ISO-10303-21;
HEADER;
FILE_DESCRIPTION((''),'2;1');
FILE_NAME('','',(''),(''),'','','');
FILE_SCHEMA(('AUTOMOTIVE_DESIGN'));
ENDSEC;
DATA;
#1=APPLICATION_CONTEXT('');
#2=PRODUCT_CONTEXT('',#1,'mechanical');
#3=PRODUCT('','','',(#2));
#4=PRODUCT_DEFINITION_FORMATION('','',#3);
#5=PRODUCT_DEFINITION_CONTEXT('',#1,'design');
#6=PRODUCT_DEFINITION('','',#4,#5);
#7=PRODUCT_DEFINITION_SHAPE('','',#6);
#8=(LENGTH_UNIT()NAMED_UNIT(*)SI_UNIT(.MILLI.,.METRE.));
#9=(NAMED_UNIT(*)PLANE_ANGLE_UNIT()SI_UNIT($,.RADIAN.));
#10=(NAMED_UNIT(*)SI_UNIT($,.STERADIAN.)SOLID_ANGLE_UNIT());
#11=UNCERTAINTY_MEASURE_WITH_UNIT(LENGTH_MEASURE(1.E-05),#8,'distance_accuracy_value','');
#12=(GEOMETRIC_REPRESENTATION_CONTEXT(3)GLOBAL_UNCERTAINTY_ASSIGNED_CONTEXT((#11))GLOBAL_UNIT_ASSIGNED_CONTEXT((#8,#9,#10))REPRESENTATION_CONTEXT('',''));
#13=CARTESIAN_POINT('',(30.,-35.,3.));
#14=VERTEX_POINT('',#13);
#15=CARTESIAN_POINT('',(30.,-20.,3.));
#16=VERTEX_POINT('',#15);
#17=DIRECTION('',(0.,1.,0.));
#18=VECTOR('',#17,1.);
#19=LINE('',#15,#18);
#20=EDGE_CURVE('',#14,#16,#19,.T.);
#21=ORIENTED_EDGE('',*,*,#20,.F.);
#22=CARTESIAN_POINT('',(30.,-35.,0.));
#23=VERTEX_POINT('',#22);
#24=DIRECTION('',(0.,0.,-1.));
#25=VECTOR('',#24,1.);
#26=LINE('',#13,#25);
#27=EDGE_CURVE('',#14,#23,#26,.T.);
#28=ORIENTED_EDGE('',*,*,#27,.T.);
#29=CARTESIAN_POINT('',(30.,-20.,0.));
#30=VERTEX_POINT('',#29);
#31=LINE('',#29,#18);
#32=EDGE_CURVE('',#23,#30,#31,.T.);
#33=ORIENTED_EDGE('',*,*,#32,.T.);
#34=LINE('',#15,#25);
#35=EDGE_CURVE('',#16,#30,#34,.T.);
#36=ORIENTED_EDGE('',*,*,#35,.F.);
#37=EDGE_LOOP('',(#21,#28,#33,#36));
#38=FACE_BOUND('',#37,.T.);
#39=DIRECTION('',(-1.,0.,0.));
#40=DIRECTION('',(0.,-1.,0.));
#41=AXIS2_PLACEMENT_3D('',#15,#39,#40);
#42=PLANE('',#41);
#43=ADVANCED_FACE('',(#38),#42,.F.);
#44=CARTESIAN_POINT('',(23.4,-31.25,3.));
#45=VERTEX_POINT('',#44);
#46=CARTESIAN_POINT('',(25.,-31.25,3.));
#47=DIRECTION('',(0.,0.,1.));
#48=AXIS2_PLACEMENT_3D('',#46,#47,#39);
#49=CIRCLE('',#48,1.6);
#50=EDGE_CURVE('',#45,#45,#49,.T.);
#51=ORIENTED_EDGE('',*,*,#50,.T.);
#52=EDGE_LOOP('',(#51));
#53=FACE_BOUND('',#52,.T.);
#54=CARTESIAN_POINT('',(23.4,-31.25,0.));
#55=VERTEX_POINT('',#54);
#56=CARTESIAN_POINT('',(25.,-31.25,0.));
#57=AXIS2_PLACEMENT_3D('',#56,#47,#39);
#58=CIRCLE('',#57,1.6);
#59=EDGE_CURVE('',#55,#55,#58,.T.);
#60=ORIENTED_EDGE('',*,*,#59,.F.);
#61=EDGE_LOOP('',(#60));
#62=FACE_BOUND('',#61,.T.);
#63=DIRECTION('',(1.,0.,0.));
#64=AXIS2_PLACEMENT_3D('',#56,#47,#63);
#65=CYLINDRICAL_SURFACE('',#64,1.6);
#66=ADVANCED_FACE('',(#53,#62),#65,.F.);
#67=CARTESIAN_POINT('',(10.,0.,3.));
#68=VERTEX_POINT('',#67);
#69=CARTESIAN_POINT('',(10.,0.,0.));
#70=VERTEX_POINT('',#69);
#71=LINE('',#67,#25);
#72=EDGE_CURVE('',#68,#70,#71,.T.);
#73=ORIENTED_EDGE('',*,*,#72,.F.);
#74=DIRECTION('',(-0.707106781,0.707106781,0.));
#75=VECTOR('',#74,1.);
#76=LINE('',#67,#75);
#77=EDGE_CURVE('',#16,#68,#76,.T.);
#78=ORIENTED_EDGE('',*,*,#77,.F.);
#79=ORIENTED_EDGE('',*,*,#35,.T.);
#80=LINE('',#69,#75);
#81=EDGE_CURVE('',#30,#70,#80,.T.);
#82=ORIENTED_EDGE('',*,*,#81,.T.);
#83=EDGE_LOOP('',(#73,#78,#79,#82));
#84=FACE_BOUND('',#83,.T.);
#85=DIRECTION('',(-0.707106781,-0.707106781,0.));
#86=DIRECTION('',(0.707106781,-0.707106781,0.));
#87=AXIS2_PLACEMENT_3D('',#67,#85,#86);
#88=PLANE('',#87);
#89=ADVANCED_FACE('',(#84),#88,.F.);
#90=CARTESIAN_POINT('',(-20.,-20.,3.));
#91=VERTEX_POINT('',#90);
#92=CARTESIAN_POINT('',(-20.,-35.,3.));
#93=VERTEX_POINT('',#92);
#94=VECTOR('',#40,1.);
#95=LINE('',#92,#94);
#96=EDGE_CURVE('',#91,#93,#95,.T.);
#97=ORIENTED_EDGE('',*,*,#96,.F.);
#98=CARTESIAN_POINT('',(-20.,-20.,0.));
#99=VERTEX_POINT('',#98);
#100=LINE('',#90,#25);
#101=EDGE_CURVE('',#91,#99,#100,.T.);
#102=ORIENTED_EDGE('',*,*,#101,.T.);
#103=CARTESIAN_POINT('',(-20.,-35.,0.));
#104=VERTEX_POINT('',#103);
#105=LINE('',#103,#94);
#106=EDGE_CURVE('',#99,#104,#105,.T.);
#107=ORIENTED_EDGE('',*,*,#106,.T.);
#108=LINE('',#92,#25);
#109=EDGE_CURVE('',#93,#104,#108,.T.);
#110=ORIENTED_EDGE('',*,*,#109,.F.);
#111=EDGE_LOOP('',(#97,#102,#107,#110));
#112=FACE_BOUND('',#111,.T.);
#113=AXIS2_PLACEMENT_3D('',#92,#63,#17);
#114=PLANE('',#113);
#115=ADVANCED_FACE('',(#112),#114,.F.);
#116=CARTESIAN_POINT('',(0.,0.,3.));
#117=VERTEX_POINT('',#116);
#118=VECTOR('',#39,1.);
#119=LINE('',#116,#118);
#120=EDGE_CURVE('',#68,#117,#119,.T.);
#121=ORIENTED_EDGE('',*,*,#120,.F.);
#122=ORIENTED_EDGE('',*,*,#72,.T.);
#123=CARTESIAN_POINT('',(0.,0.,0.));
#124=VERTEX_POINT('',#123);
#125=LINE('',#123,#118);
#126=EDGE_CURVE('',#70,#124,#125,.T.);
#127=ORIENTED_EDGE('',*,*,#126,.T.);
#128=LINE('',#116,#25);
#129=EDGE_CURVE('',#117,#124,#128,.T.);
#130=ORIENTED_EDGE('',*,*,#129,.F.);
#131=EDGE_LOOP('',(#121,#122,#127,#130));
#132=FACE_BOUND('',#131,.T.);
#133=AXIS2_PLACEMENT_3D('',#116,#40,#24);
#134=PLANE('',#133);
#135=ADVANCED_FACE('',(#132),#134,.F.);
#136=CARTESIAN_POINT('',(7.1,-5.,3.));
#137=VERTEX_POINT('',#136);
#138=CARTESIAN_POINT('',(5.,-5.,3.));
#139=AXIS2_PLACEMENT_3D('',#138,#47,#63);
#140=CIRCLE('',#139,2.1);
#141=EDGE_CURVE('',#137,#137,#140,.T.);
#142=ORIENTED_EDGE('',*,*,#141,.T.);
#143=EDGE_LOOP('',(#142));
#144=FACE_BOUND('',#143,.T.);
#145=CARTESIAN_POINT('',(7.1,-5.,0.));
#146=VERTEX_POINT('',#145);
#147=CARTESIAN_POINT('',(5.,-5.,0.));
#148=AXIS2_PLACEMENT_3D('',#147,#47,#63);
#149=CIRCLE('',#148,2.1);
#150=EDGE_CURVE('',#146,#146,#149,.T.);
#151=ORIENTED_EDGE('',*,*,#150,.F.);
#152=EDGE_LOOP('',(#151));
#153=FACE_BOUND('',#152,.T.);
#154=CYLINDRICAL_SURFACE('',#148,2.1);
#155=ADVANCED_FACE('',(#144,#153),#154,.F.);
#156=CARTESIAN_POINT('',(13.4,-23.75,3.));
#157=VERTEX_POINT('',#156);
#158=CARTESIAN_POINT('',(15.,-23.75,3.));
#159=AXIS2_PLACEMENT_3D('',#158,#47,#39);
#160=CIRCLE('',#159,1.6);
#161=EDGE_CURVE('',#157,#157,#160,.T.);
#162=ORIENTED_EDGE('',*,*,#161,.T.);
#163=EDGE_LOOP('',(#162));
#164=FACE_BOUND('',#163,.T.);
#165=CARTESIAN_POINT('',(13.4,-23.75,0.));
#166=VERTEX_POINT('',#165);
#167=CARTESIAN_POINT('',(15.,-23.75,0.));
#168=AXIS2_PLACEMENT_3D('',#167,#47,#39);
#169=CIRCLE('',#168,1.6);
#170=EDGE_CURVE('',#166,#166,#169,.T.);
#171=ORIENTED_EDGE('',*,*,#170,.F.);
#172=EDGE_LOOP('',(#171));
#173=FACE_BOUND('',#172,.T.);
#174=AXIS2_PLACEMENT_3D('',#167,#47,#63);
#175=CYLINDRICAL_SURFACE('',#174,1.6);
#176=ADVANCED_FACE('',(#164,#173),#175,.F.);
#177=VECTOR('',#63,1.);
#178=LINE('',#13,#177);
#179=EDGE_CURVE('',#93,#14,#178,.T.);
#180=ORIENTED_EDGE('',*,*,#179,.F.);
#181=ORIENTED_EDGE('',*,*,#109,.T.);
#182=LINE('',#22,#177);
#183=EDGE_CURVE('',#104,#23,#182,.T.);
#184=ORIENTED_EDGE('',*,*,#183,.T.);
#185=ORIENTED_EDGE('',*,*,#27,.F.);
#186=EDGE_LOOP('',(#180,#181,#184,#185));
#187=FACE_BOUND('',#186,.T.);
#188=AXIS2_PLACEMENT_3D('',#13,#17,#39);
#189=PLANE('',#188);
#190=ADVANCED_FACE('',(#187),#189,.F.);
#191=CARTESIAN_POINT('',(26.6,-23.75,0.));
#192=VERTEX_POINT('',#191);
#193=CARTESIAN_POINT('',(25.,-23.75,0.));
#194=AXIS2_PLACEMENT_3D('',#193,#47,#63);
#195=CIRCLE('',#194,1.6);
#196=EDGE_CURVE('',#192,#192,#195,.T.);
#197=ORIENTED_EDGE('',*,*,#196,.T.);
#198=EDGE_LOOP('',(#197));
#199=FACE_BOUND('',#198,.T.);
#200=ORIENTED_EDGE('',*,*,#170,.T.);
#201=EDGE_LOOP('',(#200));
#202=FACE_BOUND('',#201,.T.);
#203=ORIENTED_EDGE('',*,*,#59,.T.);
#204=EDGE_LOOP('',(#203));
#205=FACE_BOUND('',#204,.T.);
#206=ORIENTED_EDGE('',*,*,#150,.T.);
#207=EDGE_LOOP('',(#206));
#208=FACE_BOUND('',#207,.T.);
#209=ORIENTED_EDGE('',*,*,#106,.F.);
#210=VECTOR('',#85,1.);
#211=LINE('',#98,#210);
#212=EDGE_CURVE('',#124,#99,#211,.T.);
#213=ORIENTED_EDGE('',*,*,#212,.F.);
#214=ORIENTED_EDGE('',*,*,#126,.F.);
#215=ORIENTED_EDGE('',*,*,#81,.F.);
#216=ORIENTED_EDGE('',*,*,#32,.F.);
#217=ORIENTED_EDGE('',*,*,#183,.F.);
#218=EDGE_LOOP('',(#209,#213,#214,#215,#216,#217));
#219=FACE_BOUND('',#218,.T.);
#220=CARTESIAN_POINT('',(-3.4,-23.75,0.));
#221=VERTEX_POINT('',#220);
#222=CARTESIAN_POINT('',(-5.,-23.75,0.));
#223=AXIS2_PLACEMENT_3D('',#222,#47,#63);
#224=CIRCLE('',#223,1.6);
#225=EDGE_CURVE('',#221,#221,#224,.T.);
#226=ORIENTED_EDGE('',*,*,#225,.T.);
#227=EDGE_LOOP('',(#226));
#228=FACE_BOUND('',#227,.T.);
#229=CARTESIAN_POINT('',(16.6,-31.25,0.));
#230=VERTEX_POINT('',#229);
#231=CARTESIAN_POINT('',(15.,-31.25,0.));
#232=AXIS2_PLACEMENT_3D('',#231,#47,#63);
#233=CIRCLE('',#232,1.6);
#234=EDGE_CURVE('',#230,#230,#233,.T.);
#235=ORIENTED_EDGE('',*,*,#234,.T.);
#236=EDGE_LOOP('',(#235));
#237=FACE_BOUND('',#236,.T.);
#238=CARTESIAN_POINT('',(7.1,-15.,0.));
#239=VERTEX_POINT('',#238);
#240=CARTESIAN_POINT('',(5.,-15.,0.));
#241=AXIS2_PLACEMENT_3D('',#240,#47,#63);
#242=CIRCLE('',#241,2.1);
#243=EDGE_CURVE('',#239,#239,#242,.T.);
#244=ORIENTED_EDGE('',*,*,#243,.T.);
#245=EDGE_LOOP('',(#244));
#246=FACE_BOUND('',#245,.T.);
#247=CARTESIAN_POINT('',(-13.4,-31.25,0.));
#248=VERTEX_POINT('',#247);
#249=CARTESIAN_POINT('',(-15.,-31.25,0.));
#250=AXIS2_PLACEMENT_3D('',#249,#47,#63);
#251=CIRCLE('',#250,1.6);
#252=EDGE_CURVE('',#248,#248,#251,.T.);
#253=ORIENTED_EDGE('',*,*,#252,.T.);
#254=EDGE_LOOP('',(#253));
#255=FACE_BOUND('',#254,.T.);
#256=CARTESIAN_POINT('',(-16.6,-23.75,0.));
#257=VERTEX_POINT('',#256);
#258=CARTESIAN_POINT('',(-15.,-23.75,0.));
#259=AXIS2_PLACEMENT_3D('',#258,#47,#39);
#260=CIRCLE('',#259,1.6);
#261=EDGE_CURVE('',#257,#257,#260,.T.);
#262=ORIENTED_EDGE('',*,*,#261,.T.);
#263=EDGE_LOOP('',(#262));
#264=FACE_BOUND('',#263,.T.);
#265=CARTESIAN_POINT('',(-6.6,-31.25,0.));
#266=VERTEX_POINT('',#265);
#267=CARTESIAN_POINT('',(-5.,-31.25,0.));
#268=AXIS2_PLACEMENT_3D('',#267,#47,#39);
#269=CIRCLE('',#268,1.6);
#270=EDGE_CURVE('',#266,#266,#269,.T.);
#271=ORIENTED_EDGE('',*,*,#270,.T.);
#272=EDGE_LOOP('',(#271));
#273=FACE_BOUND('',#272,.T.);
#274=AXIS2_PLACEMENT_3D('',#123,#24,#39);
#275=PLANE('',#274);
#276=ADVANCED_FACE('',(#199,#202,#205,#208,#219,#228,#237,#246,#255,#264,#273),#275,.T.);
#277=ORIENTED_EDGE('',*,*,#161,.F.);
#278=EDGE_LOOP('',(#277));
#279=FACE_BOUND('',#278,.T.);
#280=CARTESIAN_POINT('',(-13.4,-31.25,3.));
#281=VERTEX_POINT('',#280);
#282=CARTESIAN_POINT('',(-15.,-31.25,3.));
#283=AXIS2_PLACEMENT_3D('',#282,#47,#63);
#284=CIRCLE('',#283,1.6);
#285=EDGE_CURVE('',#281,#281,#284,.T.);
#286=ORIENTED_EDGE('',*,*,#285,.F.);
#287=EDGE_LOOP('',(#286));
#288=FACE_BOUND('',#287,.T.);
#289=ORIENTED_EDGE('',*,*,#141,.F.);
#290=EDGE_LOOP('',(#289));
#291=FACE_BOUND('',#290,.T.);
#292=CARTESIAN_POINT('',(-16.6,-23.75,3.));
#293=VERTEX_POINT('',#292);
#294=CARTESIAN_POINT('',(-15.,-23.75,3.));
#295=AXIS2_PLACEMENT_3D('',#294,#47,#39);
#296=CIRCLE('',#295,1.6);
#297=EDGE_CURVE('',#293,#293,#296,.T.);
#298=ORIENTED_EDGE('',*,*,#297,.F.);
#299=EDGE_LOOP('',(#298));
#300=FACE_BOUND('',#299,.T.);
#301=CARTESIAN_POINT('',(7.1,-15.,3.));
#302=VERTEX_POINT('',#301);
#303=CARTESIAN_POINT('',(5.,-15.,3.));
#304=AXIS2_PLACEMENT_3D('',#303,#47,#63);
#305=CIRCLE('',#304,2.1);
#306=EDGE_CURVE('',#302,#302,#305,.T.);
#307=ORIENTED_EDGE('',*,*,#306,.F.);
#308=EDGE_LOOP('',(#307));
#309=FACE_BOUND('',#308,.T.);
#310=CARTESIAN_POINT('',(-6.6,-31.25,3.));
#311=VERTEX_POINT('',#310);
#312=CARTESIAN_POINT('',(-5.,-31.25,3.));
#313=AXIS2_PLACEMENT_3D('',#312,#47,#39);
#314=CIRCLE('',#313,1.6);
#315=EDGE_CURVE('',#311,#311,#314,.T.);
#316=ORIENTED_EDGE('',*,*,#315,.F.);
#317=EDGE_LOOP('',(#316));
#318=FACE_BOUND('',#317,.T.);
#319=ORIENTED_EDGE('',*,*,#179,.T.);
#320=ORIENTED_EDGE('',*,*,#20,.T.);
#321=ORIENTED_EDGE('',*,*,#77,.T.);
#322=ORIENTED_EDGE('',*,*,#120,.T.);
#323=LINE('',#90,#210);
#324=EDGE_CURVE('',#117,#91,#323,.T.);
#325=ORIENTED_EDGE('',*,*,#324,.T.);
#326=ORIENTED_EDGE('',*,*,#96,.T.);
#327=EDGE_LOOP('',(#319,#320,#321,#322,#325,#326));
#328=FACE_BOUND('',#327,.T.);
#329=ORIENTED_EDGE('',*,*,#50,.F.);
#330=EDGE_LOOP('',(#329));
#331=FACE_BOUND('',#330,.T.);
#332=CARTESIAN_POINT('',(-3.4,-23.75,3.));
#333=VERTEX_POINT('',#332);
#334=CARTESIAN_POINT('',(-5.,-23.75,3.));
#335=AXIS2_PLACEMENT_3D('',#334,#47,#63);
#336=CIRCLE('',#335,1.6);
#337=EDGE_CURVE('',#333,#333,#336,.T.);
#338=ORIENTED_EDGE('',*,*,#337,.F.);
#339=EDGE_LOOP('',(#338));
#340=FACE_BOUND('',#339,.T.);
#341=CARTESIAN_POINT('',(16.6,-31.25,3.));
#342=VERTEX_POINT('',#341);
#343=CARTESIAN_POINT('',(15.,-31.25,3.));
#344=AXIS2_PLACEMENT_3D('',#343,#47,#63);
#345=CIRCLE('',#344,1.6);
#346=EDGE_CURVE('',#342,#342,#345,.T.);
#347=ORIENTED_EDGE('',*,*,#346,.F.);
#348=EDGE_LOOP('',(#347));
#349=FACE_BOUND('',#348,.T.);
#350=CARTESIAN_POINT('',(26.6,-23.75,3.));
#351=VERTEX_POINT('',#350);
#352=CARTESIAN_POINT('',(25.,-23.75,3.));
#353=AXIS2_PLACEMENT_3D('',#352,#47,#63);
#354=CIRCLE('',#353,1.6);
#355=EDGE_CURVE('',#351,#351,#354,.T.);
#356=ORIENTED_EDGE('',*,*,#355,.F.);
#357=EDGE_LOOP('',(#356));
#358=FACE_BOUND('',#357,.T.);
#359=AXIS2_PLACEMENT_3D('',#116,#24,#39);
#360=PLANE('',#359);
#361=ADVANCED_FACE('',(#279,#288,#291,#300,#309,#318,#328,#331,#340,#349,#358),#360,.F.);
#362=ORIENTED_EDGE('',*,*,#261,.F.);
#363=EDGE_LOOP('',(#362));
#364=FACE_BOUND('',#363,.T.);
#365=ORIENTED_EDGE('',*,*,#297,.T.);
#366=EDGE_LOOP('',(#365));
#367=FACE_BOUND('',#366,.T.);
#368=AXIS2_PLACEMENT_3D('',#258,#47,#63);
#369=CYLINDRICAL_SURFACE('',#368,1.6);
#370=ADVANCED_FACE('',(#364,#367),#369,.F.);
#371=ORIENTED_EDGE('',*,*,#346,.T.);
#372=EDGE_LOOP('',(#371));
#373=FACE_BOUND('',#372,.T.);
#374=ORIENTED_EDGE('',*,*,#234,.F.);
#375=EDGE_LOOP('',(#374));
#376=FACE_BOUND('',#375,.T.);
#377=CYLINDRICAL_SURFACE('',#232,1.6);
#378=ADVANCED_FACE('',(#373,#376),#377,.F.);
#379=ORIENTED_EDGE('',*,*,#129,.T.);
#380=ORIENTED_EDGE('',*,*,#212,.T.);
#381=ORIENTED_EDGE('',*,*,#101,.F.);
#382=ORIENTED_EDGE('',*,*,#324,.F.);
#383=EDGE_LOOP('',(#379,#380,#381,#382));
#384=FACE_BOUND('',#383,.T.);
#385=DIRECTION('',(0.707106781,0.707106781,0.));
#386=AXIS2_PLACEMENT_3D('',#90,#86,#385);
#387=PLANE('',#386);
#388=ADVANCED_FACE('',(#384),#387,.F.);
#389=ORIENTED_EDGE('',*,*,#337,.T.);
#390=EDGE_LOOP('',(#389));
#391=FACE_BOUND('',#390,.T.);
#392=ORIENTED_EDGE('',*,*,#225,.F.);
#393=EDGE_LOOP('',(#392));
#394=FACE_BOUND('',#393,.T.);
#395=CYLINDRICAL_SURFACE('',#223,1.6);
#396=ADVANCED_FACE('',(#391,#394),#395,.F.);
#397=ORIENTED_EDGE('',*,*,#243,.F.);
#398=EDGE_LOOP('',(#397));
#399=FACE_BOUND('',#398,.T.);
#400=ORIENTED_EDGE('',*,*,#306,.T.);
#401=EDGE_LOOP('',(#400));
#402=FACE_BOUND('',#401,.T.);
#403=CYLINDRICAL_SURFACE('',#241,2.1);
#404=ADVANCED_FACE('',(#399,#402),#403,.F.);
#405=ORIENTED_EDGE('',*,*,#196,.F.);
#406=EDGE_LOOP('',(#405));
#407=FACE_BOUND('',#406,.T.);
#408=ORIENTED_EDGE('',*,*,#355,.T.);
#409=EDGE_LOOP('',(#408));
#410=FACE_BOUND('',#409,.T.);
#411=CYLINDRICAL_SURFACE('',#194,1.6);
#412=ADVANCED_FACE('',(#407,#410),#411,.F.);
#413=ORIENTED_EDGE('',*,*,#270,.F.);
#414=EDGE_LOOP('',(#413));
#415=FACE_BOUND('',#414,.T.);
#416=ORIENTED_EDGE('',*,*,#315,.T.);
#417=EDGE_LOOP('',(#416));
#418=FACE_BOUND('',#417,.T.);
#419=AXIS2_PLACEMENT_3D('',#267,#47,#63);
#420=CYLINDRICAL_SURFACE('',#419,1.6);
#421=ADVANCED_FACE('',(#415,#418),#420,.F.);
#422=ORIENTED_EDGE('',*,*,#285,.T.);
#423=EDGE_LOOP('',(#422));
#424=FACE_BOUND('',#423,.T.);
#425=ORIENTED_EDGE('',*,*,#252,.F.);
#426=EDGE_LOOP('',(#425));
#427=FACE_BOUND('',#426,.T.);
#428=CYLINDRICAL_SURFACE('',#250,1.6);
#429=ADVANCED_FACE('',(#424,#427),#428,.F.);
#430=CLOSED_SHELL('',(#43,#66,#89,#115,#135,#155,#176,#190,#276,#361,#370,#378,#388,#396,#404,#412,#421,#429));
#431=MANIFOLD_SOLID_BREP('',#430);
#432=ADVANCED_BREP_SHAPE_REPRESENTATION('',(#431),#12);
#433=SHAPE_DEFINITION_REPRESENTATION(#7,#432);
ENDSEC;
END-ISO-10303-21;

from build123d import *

# Parameters (mm, degrees)
EXTRUDE_1_DEPTH     = 3
SKETCH_2_R          = 1.6
SKETCH_2_R_2        = 2.1
CUT_EXTRUDE_1_DEPTH = 47.19523785


with BuildPart() as part:
    # 草图1 → 凸台-拉伸1 (new body)
    with BuildSketch(Plane.XY):
        Polygon((0, 0), (10, 0), (30, -20), (30, -35), (-20, -35), (-20, -20), align=None)
    extrude(amount=EXTRUDE_1_DEPTH)

    # 草图2 → 切除-拉伸1 (cut, through all)
    with BuildSketch(Plane.XY.offset(3)):
        with Locations((-15, -31.25)):
            Circle(SKETCH_2_R)
        with Locations(Location((-5, -31.25, 0), (0, 0, 180))):
            Circle(SKETCH_2_R)
        with Locations((-5, -23.75)):
            Circle(SKETCH_2_R)
        with Locations(Location((-15, -23.75, 0), (0, 0, 180))):
            Circle(SKETCH_2_R)
        with Locations((25, -23.75)):
            Circle(SKETCH_2_R)
        with Locations(Location((15, -23.75, 0), (0, 0, 180))):
            Circle(SKETCH_2_R)
        with Locations((15, -31.25)):
            Circle(SKETCH_2_R)
        with Locations(Location((25, -31.25, 0), (0, 0, 180))):
            Circle(SKETCH_2_R)
        with Locations((5, -5)):
            Circle(SKETCH_2_R_2)
        with Locations((5, -15)):
            Circle(SKETCH_2_R_2)
    extrude(amount=-CUT_EXTRUDE_1_DEPTH, mode=Mode.SUBTRACT)


solid = part.part
